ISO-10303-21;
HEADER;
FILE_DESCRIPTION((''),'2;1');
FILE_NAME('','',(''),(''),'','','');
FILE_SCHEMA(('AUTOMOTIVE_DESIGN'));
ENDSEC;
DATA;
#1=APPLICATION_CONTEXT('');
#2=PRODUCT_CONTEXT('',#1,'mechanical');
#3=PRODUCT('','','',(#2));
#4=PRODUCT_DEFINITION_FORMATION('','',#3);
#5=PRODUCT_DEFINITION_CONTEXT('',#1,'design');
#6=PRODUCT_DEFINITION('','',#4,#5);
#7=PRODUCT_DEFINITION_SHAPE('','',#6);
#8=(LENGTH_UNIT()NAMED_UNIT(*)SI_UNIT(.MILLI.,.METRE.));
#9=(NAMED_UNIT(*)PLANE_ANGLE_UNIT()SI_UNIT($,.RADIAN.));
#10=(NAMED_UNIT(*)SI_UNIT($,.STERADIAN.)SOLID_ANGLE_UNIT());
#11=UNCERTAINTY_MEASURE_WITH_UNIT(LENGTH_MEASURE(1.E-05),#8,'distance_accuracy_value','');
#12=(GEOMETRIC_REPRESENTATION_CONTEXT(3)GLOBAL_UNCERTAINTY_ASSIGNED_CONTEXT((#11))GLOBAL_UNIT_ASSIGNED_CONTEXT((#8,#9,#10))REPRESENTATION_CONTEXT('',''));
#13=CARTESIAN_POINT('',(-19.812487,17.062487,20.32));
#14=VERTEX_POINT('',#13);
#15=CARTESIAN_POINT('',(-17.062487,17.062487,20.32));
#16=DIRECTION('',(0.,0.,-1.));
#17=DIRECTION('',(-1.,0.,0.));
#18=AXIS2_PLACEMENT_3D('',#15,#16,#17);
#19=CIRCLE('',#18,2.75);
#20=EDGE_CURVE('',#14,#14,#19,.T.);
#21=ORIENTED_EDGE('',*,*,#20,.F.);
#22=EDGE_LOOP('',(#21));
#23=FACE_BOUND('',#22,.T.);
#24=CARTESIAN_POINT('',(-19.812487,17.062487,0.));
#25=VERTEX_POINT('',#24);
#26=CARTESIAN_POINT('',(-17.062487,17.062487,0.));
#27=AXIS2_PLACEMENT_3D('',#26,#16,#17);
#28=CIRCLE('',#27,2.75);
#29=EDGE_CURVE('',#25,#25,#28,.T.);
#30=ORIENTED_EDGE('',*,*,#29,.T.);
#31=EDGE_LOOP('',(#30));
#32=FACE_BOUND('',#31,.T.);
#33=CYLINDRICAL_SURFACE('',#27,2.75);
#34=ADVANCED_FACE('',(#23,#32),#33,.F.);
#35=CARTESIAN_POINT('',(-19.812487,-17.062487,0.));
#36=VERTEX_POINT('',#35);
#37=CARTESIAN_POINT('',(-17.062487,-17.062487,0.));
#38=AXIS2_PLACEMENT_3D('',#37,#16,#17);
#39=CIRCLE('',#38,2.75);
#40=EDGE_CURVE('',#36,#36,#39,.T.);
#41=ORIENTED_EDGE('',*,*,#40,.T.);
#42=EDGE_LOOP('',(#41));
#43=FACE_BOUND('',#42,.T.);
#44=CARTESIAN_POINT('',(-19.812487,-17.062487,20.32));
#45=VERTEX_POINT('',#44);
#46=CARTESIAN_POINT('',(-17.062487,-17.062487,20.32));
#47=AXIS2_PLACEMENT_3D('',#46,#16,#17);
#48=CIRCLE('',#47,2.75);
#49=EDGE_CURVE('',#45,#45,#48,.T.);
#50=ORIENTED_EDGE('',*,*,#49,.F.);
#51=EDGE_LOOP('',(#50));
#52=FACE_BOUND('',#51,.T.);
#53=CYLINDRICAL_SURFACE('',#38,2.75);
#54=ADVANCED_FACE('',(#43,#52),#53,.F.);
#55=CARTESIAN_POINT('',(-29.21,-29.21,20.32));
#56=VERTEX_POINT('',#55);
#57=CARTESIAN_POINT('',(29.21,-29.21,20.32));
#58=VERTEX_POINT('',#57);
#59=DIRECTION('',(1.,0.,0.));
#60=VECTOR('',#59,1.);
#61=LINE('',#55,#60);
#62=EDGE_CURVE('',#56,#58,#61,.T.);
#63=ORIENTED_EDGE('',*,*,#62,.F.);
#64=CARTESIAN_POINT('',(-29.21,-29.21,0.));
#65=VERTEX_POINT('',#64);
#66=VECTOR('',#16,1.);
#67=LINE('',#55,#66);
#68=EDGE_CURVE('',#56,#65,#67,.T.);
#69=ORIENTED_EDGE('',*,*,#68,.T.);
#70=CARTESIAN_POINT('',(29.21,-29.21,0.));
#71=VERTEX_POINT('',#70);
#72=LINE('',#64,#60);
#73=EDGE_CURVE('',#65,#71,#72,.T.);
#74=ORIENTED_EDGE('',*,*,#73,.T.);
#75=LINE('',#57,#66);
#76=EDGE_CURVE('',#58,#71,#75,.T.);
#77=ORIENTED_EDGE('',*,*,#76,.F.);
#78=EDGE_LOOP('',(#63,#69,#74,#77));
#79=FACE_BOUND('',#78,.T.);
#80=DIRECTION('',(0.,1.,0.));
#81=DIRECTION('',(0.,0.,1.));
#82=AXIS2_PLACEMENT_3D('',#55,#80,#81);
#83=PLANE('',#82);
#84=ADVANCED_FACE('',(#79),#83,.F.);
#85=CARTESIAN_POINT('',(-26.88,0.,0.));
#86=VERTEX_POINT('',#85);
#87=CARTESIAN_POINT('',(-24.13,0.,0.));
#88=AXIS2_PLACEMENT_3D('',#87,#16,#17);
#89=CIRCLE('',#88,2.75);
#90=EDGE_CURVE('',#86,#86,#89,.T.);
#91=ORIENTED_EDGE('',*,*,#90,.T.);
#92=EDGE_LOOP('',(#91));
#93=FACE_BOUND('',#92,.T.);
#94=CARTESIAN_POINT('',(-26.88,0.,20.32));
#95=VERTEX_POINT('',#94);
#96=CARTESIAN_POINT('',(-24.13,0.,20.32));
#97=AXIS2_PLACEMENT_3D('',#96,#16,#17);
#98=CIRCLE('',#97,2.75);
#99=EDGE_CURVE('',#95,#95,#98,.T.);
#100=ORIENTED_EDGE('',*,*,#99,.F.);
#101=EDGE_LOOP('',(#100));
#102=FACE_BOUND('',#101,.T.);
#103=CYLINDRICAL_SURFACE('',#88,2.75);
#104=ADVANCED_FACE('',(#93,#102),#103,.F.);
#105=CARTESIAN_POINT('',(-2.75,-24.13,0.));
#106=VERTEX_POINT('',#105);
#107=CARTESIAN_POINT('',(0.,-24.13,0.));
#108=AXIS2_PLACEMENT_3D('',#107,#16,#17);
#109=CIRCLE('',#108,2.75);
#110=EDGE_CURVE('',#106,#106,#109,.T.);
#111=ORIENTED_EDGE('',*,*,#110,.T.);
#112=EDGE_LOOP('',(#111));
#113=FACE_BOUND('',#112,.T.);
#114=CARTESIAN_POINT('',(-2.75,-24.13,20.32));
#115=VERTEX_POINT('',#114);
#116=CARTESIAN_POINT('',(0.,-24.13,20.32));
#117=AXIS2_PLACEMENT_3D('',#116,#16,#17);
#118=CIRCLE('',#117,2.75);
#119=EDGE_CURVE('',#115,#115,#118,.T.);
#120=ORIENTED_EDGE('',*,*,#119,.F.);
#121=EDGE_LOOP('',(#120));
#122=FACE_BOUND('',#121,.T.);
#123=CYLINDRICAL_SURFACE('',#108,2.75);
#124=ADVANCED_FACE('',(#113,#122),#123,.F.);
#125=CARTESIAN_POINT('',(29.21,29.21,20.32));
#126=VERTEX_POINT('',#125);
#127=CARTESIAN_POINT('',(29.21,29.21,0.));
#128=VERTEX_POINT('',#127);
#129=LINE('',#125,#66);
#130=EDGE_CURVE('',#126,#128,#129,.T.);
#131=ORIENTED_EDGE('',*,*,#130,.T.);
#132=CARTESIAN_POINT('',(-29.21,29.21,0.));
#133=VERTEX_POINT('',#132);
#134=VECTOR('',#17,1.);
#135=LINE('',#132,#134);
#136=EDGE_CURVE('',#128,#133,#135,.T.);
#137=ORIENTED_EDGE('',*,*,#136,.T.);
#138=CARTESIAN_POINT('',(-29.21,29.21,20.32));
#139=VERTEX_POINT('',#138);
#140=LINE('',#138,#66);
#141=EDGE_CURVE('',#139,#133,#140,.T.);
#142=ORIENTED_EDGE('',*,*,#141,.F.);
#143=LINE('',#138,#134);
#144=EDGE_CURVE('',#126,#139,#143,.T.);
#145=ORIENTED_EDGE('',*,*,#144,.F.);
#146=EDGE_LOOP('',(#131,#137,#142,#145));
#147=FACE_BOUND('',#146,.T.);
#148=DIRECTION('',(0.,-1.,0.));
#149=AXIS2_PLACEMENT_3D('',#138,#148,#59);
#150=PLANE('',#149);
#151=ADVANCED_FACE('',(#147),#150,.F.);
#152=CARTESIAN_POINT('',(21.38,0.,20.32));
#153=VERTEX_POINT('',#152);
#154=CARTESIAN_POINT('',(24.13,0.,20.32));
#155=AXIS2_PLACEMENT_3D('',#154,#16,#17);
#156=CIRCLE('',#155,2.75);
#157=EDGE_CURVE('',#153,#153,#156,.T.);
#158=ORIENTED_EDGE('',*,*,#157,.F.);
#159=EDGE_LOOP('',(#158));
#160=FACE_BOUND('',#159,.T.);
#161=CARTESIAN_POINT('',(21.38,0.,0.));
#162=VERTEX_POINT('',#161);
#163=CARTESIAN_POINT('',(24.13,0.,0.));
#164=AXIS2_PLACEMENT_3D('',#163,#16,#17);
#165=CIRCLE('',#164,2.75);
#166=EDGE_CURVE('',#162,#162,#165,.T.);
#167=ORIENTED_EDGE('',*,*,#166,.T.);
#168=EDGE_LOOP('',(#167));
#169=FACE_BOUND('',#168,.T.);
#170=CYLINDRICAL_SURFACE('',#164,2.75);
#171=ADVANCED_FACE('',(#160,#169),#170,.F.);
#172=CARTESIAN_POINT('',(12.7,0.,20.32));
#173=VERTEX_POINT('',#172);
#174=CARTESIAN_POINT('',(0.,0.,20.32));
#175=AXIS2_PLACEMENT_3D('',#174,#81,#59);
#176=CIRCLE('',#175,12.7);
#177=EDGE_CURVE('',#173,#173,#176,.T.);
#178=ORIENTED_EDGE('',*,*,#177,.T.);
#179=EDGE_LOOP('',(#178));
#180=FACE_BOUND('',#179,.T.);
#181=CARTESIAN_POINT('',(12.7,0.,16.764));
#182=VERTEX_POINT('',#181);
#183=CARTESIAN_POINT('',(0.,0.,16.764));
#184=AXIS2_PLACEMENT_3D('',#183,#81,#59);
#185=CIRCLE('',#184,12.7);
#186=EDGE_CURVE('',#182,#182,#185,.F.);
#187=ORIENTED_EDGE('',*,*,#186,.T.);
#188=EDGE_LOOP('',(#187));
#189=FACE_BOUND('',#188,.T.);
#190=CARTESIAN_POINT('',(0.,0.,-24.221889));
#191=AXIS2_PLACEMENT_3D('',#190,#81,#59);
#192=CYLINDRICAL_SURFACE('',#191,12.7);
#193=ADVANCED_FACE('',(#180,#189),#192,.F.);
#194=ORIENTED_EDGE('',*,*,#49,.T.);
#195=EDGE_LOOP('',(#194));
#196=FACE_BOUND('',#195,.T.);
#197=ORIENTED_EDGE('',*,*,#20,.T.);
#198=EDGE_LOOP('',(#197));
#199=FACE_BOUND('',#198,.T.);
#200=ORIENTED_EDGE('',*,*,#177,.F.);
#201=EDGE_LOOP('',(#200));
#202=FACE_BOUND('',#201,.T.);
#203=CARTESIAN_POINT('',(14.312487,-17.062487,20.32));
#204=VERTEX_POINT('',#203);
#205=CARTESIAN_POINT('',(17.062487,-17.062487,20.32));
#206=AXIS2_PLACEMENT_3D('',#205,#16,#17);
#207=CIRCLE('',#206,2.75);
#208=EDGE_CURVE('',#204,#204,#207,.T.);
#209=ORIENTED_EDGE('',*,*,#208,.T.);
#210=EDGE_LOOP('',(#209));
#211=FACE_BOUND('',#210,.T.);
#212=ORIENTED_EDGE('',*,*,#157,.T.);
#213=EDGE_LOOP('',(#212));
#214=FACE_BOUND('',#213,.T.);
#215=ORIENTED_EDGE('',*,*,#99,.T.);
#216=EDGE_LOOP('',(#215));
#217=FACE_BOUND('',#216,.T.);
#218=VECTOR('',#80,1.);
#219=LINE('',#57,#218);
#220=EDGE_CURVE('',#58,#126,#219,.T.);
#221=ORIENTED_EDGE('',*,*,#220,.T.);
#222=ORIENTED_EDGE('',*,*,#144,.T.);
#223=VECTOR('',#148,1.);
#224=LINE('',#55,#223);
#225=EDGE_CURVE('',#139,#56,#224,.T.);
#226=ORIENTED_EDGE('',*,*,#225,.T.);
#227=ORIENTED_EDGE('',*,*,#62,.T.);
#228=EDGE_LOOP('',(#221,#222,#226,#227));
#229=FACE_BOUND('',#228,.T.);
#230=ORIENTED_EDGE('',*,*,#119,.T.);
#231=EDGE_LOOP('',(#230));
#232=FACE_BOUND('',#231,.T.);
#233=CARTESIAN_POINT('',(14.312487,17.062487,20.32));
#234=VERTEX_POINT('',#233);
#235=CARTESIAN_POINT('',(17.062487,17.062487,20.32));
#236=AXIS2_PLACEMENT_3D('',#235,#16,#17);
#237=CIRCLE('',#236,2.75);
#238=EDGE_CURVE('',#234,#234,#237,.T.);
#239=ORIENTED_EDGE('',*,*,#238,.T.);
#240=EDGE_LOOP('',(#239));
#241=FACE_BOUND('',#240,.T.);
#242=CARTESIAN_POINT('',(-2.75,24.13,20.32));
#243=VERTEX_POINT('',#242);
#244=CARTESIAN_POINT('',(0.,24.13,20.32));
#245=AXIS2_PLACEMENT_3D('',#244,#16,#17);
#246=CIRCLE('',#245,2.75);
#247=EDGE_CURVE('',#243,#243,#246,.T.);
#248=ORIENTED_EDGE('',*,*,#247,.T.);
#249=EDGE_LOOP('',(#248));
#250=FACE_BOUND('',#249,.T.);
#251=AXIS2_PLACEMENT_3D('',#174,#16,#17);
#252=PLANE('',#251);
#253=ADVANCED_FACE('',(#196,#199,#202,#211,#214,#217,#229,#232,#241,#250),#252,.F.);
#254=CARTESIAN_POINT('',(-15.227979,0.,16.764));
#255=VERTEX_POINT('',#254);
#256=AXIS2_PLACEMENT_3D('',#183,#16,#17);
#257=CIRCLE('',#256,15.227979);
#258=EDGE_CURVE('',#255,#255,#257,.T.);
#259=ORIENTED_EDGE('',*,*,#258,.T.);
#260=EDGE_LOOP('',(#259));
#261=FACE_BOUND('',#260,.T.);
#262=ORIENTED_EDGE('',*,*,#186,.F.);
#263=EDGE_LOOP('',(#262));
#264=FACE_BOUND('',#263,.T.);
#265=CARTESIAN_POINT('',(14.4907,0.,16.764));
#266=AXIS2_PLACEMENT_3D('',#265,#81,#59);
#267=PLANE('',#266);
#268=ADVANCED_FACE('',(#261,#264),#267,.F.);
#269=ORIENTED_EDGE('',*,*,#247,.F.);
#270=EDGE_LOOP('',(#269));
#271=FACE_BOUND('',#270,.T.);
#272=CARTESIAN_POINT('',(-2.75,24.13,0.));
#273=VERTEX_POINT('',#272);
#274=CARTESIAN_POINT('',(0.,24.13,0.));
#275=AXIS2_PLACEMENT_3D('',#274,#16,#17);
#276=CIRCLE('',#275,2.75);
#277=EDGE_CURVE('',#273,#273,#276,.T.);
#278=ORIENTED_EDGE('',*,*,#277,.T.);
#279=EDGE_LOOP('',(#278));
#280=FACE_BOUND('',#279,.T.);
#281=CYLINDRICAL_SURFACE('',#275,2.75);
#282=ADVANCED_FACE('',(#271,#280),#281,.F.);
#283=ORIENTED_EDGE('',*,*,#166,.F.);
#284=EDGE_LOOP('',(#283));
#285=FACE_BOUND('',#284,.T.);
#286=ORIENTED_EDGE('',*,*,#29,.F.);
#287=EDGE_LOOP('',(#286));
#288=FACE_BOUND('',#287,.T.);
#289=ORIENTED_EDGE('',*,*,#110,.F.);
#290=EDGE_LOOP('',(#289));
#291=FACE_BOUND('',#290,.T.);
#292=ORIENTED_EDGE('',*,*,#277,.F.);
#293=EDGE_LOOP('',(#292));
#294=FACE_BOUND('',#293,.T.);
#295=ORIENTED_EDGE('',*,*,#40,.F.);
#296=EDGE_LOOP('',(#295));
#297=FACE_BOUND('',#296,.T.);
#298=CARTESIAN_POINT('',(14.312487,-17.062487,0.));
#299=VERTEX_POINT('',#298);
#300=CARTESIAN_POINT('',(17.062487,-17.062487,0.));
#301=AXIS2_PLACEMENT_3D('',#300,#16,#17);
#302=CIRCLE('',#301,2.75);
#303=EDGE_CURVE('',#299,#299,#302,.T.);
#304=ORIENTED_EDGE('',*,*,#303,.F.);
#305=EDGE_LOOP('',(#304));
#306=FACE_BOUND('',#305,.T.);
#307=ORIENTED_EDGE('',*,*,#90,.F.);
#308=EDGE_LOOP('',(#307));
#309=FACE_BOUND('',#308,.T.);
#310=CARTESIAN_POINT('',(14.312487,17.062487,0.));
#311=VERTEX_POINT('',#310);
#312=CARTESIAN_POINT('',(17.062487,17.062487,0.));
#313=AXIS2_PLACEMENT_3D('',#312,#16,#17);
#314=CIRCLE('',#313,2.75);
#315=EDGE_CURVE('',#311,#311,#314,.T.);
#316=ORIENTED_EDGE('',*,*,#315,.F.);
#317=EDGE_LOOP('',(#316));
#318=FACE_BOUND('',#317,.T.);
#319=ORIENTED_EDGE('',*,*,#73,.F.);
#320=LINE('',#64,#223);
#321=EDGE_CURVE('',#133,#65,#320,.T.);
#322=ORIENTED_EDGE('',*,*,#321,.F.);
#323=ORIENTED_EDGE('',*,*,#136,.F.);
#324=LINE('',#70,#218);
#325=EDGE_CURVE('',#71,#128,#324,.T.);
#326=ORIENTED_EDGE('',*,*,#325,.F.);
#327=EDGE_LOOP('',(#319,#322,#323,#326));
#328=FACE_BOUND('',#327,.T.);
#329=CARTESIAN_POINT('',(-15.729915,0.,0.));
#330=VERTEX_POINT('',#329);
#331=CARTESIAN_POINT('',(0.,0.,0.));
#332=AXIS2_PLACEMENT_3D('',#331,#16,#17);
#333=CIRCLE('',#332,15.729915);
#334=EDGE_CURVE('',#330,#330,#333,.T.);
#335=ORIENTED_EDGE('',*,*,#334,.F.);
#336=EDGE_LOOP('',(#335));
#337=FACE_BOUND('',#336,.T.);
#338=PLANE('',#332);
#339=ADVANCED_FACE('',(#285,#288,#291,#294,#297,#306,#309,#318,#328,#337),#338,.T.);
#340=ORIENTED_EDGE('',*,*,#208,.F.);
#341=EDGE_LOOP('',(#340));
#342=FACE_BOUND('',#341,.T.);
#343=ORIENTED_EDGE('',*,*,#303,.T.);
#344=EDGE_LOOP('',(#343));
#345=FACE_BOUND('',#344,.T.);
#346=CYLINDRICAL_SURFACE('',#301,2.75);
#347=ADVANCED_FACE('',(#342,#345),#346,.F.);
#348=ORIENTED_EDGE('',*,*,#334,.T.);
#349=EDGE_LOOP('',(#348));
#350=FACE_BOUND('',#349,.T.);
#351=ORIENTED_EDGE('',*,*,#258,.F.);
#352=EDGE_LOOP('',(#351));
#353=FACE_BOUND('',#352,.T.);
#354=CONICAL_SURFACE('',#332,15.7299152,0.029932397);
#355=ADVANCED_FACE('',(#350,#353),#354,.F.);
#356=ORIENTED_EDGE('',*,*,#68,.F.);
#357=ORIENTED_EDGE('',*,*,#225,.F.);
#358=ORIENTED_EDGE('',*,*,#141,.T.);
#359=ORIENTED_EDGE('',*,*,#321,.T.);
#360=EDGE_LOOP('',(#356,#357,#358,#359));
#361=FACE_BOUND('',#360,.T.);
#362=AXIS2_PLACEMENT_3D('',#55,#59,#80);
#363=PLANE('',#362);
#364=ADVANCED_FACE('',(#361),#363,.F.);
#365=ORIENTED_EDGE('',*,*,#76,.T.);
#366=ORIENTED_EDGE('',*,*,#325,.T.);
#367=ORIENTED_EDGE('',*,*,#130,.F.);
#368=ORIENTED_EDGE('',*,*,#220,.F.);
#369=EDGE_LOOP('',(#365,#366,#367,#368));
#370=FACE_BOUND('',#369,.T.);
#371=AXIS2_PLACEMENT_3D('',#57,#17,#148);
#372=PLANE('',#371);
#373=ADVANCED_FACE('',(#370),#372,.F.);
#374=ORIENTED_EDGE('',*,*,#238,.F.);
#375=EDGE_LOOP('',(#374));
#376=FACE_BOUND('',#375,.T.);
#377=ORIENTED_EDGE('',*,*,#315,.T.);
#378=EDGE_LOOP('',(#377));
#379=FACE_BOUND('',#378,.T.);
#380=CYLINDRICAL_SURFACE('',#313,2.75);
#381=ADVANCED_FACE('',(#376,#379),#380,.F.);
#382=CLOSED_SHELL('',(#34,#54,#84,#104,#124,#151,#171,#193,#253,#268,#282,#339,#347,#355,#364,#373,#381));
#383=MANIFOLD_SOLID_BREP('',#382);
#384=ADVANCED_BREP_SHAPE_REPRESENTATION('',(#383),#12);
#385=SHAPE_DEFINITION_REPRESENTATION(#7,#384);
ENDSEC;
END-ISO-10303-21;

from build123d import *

# Parameters (mm, degrees)
SKETCH1_W                = 58.42
SKETCH1_H                = 58.42
BOSS_EXTRUDE1_DEPTH      = 20.32
M5_CLEARANCE_HOLE1_D     = 5.5
M5_CLEARANCE_HOLE1_DEPTH = 20.32
CIRPATTERN1_COUNT        = 8
SKETCH9_R                = 14.4907
SKETCH9_R_2              = 12.7
BOSS_EXTRUDE2_DEPTH      = 3.556


with BuildPart() as part:
    # Sketch1 → Boss-Extrude1 (new body)
    with BuildSketch(Plane.XY):
        Rectangle(SKETCH1_W, SKETCH1_H)
    extrude(amount=BOSS_EXTRUDE1_DEPTH)

    # Sketch7 → 1 NPT Tapped Hole2 (revolve, cut)
    with BuildSketch(Plane.YZ):
        Polygon((0, 0), (0, 20.32), (14.4907, 20.32), (14.4907, 16.764), (15.22797859, 16.764), (15.7299152, 0), align=None)
    revolve(axis=Axis((0, 0, -6.35), (0, 0, 1)), mode=Mode.SUBTRACT)

    # M5 Clearance Hole1
    with Locations(Plane(origin=(0, 0, 0), x_dir=(-1, 0, 0), z_dir=(0, 0, -1))):
        with Locations((0, 24.13)):
            m5_clearance_hole1 = Hole(M5_CLEARANCE_HOLE1_D / 2, depth=M5_CLEARANCE_HOLE1_DEPTH)

    # CirPattern1: M5 Clearance Hole1 ×8 about axis
    cirpattern1_axis = Axis((0, 0, 0), (0, 0, 1))
    for i in range(1, CIRPATTERN1_COUNT):
        add(m5_clearance_hole1.rotate(cirpattern1_axis, i * 360 / CIRPATTERN1_COUNT), mode=Mode.SUBTRACT)

    # Sketch9 → Boss-Extrude2 (add)
    with BuildSketch(Plane.XY.offset(20.32)):
        Circle(SKETCH9_R)
        Circle(SKETCH9_R_2, mode=Mode.SUBTRACT)
    extrude(amount=-BOSS_EXTRUDE2_DEPTH)


solid = part.part
